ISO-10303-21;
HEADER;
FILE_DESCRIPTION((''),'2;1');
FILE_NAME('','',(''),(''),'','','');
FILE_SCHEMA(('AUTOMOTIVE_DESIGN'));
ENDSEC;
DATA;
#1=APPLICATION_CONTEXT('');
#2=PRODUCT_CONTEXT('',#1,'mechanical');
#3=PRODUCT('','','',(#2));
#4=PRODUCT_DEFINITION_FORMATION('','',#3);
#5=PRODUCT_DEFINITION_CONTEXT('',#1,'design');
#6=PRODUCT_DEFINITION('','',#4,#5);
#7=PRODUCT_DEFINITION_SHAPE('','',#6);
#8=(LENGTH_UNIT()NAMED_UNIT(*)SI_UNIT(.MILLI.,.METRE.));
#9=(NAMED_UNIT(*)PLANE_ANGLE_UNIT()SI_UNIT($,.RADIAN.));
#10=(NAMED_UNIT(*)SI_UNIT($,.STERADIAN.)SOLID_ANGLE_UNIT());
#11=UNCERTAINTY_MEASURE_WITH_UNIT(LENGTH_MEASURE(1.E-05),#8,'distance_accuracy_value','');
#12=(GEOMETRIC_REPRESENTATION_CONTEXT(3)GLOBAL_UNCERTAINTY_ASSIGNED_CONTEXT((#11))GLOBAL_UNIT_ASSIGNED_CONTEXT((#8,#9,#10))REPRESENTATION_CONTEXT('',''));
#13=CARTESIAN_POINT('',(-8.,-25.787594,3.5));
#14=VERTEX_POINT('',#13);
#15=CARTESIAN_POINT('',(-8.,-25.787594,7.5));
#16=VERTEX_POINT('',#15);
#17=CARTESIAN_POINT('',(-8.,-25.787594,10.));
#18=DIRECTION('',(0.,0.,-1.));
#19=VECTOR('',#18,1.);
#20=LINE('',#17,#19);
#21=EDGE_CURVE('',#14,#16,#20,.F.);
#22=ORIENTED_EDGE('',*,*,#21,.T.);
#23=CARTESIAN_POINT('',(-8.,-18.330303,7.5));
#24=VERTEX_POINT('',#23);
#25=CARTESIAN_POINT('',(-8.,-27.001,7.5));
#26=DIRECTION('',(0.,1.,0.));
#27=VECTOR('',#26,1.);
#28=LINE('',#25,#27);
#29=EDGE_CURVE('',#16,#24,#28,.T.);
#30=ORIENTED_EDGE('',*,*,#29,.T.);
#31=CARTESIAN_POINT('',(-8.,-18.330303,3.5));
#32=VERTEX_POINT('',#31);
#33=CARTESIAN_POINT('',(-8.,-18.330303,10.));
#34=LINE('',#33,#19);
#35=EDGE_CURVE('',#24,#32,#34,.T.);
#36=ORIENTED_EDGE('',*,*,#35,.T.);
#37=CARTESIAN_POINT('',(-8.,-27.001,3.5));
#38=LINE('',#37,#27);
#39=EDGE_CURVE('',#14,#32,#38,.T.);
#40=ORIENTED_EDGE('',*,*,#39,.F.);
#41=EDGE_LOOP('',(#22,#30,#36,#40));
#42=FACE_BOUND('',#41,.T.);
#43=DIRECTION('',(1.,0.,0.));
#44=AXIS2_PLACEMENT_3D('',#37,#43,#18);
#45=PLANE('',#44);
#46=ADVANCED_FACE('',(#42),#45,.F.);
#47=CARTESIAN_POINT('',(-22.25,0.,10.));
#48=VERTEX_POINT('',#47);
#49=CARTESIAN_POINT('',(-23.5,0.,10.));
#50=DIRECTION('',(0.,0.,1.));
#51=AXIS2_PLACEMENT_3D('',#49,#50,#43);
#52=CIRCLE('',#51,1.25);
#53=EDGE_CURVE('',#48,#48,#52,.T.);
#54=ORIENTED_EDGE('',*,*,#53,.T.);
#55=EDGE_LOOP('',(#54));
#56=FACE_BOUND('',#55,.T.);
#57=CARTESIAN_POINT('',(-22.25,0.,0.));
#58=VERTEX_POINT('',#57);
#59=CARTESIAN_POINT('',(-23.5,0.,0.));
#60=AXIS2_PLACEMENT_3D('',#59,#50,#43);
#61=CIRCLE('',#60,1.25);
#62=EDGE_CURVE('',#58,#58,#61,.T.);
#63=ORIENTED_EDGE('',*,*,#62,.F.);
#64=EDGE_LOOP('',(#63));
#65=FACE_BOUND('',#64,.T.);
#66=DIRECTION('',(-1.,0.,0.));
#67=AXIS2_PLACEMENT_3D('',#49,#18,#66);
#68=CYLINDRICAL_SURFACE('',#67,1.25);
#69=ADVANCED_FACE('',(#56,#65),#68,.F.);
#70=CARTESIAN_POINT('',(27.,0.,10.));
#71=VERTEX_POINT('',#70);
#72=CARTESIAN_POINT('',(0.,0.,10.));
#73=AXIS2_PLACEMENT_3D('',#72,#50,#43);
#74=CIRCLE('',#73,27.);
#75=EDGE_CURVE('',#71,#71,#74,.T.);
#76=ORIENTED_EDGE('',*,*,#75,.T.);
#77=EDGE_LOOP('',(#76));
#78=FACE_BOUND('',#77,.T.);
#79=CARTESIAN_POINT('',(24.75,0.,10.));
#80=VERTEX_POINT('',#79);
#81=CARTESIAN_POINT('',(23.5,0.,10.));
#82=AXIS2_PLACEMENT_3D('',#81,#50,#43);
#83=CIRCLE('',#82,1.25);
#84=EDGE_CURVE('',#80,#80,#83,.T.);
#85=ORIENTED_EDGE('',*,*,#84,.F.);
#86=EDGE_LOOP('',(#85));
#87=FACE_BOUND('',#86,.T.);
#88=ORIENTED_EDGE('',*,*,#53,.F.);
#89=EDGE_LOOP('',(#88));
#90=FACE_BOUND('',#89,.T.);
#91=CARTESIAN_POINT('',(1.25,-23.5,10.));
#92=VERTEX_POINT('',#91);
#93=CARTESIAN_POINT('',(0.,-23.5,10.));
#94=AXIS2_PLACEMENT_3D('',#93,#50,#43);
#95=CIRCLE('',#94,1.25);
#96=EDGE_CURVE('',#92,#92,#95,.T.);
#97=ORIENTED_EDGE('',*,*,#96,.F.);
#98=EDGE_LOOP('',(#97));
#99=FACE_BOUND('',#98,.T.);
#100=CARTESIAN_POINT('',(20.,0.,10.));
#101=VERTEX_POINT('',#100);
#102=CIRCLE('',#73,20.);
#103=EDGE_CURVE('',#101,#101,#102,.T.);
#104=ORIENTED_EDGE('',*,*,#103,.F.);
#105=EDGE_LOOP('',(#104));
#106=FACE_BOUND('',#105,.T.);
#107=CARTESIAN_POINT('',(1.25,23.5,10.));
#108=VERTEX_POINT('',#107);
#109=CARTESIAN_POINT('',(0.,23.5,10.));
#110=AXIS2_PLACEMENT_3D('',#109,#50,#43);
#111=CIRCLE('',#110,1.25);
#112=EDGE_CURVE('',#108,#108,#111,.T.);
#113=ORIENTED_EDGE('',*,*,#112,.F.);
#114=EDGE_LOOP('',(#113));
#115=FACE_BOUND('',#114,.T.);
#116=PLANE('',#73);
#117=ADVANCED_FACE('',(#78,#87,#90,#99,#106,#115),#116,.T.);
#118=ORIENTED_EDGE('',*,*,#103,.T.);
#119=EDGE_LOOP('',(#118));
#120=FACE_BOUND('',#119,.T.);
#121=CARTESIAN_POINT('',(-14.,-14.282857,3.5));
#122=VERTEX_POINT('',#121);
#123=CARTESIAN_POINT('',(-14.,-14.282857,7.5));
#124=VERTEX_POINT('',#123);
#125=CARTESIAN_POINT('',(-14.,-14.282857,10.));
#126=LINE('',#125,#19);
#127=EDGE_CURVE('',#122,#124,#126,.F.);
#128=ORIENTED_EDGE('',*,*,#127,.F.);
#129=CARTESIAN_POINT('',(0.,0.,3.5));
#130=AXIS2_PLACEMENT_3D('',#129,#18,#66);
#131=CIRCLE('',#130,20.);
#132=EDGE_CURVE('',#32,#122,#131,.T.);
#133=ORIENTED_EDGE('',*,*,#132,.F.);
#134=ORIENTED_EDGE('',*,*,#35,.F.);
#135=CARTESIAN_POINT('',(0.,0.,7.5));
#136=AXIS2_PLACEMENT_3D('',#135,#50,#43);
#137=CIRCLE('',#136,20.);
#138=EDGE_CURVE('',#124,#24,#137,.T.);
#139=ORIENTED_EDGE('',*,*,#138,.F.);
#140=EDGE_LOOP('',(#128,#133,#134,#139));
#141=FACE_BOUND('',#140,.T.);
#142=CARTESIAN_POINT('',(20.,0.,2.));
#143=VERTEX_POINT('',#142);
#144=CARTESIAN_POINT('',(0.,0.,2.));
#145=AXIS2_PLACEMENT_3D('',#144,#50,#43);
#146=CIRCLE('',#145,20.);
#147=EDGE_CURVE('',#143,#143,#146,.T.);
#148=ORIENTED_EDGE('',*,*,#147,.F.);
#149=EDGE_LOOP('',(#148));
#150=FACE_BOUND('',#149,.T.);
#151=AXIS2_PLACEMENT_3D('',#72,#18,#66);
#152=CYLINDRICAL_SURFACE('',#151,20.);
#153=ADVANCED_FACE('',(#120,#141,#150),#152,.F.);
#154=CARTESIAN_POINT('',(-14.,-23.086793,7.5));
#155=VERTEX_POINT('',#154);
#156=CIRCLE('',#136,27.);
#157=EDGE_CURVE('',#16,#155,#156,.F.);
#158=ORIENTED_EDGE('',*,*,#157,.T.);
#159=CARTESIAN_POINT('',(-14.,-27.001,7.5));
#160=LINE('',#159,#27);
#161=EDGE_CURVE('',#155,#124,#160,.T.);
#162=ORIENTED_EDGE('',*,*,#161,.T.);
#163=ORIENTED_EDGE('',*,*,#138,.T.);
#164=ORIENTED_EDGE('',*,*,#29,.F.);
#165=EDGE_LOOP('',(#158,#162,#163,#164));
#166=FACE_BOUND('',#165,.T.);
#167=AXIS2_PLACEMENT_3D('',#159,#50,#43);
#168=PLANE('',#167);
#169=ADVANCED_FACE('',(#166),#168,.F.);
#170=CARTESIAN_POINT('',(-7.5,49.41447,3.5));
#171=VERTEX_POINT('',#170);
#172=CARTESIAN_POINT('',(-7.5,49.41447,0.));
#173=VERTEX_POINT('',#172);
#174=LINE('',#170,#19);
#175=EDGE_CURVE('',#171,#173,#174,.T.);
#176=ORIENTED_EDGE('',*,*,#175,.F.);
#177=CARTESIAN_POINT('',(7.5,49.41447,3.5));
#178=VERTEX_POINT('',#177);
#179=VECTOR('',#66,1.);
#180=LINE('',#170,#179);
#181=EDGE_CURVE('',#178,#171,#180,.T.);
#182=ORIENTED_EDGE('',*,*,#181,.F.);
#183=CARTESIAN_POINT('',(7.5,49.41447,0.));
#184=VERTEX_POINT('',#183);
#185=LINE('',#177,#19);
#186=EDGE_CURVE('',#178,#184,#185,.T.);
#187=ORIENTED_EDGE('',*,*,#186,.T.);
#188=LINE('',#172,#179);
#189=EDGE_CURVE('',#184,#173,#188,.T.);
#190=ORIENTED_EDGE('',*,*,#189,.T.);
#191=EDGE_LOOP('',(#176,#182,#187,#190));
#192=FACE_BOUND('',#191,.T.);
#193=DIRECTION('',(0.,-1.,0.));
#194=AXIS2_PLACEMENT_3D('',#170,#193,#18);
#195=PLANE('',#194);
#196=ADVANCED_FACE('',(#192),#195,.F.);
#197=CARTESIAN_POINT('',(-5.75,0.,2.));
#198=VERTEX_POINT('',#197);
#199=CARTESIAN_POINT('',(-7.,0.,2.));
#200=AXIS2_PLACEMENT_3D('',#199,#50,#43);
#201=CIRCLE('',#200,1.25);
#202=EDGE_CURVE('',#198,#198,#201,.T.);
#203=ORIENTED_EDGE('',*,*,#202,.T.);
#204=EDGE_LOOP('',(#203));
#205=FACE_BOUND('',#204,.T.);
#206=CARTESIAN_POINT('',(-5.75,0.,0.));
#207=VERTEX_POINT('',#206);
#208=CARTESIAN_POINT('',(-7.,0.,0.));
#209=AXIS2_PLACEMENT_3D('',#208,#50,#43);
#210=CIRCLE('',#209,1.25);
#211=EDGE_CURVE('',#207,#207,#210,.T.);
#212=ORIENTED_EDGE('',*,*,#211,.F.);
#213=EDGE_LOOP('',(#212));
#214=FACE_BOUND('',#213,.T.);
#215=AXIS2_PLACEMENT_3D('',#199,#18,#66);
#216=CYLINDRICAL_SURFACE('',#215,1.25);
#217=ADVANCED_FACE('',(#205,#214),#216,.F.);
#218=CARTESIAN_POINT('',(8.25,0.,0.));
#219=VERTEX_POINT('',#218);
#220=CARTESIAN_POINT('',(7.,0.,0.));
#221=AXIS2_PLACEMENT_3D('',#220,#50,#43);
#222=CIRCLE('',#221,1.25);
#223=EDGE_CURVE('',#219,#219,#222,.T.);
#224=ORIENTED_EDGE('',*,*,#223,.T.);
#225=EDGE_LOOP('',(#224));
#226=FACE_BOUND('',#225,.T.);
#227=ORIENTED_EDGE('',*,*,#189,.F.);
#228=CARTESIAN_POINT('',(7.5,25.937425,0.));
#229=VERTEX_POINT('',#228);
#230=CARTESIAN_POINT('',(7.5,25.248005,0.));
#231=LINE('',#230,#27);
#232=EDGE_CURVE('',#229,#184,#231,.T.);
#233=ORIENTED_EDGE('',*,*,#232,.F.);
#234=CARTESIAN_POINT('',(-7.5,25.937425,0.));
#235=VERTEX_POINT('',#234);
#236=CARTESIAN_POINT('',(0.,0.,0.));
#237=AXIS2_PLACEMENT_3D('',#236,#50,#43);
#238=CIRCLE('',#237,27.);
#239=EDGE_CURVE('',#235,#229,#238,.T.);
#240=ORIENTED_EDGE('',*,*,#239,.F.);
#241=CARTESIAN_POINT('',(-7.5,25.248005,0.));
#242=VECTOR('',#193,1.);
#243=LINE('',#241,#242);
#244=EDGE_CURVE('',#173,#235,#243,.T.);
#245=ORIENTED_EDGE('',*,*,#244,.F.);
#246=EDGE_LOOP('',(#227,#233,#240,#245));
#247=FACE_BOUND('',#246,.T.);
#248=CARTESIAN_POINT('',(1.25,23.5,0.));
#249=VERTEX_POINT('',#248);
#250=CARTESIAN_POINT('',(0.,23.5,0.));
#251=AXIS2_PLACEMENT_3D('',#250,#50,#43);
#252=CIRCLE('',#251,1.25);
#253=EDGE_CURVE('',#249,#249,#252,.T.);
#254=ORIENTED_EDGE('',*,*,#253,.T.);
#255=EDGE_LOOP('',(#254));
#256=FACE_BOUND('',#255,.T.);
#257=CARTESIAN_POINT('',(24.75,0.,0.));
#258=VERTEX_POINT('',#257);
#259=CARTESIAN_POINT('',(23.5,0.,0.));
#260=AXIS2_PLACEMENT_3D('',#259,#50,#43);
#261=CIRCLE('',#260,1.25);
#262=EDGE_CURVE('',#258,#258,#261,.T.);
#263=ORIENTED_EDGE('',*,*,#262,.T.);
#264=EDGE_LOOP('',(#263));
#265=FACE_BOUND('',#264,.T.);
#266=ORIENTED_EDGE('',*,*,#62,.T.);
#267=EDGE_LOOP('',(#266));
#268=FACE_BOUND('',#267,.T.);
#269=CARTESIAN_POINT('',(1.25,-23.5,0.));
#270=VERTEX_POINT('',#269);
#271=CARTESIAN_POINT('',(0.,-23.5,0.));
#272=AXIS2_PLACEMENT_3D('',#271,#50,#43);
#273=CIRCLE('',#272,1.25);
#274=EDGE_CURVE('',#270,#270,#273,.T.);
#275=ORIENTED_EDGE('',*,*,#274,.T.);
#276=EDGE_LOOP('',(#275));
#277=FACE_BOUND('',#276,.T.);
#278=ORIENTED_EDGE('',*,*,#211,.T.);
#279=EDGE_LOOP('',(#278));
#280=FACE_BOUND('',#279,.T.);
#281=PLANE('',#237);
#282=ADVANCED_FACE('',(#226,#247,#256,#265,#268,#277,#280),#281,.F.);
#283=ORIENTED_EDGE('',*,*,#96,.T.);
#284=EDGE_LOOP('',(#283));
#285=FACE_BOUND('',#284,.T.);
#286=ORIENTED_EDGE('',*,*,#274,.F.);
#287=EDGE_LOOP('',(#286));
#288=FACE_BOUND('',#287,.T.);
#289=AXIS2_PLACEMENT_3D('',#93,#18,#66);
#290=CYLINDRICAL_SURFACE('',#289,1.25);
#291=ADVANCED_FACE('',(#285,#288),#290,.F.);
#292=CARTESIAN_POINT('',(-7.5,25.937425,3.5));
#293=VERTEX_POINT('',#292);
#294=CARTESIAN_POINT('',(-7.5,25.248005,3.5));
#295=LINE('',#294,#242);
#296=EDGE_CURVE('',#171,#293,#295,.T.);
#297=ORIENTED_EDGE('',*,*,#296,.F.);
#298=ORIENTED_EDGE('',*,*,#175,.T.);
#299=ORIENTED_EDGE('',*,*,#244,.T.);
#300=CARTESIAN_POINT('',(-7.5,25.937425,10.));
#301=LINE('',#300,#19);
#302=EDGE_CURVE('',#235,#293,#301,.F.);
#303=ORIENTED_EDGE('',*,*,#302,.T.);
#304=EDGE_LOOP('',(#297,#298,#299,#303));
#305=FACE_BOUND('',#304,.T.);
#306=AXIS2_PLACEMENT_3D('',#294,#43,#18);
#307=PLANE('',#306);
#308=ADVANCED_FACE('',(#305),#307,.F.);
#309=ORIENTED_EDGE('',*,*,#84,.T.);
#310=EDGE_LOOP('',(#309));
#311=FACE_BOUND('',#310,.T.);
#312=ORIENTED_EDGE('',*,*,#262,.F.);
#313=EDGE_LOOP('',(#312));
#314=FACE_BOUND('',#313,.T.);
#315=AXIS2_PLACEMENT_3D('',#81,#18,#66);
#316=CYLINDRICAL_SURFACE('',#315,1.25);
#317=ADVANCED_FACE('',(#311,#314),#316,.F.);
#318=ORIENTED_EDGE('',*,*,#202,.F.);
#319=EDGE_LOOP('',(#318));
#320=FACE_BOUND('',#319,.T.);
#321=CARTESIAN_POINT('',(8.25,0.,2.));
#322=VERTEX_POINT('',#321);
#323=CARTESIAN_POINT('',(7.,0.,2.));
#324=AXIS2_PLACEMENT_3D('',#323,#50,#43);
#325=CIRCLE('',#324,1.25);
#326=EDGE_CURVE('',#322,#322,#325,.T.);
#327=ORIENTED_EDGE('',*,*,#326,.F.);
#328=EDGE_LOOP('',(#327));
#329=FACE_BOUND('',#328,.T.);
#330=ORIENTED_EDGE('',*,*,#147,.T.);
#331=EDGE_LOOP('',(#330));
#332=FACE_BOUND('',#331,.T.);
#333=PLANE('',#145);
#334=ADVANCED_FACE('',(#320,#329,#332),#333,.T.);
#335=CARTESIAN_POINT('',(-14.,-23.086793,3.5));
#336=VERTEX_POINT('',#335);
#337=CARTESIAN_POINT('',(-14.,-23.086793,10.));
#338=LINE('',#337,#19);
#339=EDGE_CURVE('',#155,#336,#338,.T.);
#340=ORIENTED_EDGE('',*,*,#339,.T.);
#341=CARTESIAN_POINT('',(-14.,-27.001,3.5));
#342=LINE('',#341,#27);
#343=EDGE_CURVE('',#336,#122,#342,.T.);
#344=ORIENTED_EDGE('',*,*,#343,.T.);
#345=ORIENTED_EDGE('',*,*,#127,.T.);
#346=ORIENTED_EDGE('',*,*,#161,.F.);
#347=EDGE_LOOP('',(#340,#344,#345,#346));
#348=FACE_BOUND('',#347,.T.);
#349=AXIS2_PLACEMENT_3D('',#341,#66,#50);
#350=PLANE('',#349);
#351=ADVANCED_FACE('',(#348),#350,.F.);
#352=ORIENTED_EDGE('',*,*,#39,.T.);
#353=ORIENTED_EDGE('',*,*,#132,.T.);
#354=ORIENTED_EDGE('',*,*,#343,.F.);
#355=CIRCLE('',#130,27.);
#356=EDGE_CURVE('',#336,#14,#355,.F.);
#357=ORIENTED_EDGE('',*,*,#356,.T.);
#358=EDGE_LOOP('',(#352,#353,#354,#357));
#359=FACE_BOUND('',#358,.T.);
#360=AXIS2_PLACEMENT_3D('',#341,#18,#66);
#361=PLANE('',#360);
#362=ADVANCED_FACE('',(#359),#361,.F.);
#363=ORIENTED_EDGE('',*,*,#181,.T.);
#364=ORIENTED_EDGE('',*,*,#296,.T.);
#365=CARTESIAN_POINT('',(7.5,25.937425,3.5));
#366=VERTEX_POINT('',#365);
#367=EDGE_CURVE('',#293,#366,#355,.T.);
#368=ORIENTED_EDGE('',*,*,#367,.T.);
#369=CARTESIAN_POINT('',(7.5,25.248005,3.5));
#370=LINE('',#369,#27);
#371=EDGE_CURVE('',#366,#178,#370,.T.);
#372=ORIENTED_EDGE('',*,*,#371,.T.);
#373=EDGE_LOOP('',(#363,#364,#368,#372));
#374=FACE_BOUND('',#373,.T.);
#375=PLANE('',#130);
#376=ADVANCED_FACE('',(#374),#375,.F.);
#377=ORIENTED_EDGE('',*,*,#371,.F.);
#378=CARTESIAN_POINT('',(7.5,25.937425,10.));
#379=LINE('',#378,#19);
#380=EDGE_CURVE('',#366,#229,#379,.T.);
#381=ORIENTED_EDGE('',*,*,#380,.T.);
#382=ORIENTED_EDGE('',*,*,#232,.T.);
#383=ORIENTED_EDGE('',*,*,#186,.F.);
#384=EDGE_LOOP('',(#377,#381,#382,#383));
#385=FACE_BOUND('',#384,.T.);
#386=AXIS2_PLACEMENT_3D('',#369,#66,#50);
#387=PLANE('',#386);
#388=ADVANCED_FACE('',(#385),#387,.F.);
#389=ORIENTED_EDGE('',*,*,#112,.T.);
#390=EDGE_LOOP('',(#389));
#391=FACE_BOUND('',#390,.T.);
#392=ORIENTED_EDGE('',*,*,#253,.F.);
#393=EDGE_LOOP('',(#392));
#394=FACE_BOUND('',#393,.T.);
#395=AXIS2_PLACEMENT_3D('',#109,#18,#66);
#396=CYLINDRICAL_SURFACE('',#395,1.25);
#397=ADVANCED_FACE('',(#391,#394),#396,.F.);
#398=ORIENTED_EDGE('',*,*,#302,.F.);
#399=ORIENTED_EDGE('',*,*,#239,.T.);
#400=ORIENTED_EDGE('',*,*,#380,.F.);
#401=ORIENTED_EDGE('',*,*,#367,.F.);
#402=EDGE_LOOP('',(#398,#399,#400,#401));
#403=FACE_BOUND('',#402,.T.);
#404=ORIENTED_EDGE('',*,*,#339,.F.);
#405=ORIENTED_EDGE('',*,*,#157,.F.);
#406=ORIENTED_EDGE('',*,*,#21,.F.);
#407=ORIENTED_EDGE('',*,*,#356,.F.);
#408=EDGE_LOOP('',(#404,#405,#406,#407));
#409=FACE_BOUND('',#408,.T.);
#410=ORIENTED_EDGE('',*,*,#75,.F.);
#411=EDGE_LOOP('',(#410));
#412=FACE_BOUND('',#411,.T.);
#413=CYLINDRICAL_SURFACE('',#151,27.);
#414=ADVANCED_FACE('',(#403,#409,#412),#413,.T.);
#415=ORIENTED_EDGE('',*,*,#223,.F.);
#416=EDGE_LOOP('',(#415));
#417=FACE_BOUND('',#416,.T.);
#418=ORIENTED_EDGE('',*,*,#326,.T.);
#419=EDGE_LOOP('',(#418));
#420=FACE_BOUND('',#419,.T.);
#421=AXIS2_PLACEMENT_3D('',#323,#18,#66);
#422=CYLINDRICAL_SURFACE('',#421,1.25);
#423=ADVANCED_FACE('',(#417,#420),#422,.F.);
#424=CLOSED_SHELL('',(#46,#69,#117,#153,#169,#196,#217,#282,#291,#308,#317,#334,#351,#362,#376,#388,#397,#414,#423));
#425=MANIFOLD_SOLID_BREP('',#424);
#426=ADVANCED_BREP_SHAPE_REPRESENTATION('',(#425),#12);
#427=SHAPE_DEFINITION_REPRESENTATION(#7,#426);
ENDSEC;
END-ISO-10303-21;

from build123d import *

# Parameters (mm, degrees)
SKETCH1_R               = 27
SKETCH1_R_2             = 1.25
SKETCH1_R_3             = 20
BOSS_EXTRUDE1_DEPTH     = 10
SKETCH3_R               = 20
SKETCH3_R_2             = 1.25
BOSS_EXTRUDE2_DEPTH     = 2
SKETCH5_W               = 15
SKETCH5_H               = 24.16646527
BOSS_EXTRUDE3_DEPTH     = 3.5
CUT_EXTRUDE1_REACH      = 59.191
CUT_EXTRUDE1_END_RADIUS = 27
SKETCH4_W               = 6
SKETCH4_H               = 4


with BuildPart() as part:
    # Sketch1 → Boss-Extrude1 (new body)
    with BuildSketch(Plane.XY):
        Circle(SKETCH1_R)
        with Locations((0, 23.5)):
            Circle(SKETCH1_R_2, mode=Mode.SUBTRACT)
        with Locations((23.5, 0)):
            Circle(SKETCH1_R_2, mode=Mode.SUBTRACT)
        with Locations((0, -23.5)):
            Circle(SKETCH1_R_2, mode=Mode.SUBTRACT)
        with Locations((-23.5, 0)):
            Circle(SKETCH1_R_2, mode=Mode.SUBTRACT)
        Circle(SKETCH1_R_3, mode=Mode.SUBTRACT)
    extrude(amount=BOSS_EXTRUDE1_DEPTH)

    # Sketch3 → Boss-Extrude2 (add)
    with BuildSketch(Plane.XY):
        Circle(SKETCH3_R)
        with Locations((-7, 0)):
            Circle(SKETCH3_R_2, mode=Mode.SUBTRACT)
        with Locations((7, 0)):
            Circle(SKETCH3_R_2, mode=Mode.SUBTRACT)
    extrude(amount=BOSS_EXTRUDE2_DEPTH)

    # Sketch5 → Boss-Extrude3 (add)
    with BuildSketch(Plane.XY):
        with Locations((0, 37.331237278)):
            Rectangle(SKETCH5_W, SKETCH5_H)
    extrude(amount=BOSS_EXTRUDE3_DEPTH)

    # Cut-Extrude1: up to this cylinder (the profile starts inside it)
    cut_extrude1_end = Plane(origin=(0, 0, 5.5), z_dir=(0, 0, -1)) * Cylinder(CUT_EXTRUDE1_END_RADIUS, 173.382, mode=Mode.PRIVATE)
    # Sketch4 → Cut-Extrude1 (cut, up to the surface)
    with BuildSketch(Plane(origin=(0, 0, 0), x_dir=(1, 0, 0), z_dir=(0, 1, 0)), mode=Mode.PRIVATE) as cut_extrude1_sk1:
        with Locations((-11, -5.5)):
            Rectangle(SKETCH4_W, SKETCH4_H)
    cut_extrude1_tool1 = extrude(cut_extrude1_sk1.sketch, amount=-CUT_EXTRUDE1_REACH, mode=Mode.PRIVATE) & cut_extrude1_end
    add(cut_extrude1_tool1.solids().sort_by_distance((-11, 0, 5.5))[0], mode=Mode.SUBTRACT)


solid = part.part
